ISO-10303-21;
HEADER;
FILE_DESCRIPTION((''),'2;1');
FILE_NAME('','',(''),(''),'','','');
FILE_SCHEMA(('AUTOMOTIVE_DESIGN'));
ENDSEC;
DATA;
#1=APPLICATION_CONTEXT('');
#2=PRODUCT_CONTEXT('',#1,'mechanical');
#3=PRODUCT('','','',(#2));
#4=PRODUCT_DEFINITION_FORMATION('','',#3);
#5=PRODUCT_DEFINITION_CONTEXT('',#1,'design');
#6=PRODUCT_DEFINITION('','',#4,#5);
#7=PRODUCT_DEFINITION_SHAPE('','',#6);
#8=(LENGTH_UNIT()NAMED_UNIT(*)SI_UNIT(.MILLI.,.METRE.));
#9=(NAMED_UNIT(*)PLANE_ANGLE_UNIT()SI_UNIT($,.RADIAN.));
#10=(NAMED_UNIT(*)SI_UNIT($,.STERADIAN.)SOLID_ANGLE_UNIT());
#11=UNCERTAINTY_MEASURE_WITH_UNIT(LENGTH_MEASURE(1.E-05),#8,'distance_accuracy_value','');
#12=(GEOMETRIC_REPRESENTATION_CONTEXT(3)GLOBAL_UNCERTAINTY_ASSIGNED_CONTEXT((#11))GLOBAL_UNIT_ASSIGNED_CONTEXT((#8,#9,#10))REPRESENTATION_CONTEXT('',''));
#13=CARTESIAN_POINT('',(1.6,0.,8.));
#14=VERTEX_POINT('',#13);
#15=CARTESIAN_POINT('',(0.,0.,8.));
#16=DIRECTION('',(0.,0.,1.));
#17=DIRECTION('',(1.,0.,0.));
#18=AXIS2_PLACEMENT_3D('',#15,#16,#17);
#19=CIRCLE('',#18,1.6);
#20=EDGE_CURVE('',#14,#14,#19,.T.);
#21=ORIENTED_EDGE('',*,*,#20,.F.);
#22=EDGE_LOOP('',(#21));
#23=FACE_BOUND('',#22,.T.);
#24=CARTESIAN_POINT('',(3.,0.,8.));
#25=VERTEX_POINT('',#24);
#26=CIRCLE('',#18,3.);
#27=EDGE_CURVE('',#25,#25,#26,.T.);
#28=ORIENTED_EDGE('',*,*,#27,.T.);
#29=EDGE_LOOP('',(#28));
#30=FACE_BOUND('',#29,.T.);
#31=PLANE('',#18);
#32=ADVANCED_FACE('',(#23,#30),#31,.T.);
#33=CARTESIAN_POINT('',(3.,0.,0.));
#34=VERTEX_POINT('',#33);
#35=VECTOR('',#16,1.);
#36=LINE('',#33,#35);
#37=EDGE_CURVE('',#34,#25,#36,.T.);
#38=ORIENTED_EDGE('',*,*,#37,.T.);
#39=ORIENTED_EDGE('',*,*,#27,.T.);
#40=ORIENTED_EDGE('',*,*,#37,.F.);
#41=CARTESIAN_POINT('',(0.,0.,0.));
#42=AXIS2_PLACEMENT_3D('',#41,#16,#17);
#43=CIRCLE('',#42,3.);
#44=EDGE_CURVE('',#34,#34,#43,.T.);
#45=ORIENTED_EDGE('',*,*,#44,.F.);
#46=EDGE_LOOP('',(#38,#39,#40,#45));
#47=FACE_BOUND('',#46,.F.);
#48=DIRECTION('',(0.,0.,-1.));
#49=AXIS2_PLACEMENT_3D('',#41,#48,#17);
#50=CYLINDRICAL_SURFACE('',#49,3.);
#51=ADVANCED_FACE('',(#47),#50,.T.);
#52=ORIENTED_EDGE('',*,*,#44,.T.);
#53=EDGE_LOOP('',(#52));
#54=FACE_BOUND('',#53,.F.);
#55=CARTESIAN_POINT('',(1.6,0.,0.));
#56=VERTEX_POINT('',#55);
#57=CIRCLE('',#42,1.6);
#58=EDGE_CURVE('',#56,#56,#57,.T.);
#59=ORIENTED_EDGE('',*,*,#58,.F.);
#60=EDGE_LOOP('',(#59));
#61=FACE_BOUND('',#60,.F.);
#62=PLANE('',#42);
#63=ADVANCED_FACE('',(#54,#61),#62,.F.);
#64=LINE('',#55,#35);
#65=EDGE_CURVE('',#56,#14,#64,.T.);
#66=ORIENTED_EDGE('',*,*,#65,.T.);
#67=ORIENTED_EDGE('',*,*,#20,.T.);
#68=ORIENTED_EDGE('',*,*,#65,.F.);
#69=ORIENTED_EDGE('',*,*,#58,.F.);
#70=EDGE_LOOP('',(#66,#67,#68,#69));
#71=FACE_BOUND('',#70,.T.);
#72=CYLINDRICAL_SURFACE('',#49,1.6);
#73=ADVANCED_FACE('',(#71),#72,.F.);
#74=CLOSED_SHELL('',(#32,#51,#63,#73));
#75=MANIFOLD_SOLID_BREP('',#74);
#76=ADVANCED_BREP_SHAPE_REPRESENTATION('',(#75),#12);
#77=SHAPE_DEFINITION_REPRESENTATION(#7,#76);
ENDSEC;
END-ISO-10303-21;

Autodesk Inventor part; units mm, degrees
ref_plane "YZ Plane" through (0, 0, 0) normal (1, 0, 0) x (0, 1, 0)
ref_plane "XZ Plane" through (0, 0, 0) normal (0, 1, 0) x (-1, 0, 0)
ref_plane "XY Plane" through (0, 0, 0) normal (0, 0, 1) x (1, 0, 0)
sketch "スケッチ1" plane through (0, 0, 0) normal (0, 0, 1) x (1, 0, 0)
  circle A0 centre (0, 0) radius 1.6
  circle A1 centre (0, 0) radius 3
  dimension "d0" = 3.2
  dimension "d1" = 6
extrude "押し出し1" add sketch "スケッチ1" along normal blind 8
properties part number "スペーサCL-309E" material "アルミニウム 6061"
